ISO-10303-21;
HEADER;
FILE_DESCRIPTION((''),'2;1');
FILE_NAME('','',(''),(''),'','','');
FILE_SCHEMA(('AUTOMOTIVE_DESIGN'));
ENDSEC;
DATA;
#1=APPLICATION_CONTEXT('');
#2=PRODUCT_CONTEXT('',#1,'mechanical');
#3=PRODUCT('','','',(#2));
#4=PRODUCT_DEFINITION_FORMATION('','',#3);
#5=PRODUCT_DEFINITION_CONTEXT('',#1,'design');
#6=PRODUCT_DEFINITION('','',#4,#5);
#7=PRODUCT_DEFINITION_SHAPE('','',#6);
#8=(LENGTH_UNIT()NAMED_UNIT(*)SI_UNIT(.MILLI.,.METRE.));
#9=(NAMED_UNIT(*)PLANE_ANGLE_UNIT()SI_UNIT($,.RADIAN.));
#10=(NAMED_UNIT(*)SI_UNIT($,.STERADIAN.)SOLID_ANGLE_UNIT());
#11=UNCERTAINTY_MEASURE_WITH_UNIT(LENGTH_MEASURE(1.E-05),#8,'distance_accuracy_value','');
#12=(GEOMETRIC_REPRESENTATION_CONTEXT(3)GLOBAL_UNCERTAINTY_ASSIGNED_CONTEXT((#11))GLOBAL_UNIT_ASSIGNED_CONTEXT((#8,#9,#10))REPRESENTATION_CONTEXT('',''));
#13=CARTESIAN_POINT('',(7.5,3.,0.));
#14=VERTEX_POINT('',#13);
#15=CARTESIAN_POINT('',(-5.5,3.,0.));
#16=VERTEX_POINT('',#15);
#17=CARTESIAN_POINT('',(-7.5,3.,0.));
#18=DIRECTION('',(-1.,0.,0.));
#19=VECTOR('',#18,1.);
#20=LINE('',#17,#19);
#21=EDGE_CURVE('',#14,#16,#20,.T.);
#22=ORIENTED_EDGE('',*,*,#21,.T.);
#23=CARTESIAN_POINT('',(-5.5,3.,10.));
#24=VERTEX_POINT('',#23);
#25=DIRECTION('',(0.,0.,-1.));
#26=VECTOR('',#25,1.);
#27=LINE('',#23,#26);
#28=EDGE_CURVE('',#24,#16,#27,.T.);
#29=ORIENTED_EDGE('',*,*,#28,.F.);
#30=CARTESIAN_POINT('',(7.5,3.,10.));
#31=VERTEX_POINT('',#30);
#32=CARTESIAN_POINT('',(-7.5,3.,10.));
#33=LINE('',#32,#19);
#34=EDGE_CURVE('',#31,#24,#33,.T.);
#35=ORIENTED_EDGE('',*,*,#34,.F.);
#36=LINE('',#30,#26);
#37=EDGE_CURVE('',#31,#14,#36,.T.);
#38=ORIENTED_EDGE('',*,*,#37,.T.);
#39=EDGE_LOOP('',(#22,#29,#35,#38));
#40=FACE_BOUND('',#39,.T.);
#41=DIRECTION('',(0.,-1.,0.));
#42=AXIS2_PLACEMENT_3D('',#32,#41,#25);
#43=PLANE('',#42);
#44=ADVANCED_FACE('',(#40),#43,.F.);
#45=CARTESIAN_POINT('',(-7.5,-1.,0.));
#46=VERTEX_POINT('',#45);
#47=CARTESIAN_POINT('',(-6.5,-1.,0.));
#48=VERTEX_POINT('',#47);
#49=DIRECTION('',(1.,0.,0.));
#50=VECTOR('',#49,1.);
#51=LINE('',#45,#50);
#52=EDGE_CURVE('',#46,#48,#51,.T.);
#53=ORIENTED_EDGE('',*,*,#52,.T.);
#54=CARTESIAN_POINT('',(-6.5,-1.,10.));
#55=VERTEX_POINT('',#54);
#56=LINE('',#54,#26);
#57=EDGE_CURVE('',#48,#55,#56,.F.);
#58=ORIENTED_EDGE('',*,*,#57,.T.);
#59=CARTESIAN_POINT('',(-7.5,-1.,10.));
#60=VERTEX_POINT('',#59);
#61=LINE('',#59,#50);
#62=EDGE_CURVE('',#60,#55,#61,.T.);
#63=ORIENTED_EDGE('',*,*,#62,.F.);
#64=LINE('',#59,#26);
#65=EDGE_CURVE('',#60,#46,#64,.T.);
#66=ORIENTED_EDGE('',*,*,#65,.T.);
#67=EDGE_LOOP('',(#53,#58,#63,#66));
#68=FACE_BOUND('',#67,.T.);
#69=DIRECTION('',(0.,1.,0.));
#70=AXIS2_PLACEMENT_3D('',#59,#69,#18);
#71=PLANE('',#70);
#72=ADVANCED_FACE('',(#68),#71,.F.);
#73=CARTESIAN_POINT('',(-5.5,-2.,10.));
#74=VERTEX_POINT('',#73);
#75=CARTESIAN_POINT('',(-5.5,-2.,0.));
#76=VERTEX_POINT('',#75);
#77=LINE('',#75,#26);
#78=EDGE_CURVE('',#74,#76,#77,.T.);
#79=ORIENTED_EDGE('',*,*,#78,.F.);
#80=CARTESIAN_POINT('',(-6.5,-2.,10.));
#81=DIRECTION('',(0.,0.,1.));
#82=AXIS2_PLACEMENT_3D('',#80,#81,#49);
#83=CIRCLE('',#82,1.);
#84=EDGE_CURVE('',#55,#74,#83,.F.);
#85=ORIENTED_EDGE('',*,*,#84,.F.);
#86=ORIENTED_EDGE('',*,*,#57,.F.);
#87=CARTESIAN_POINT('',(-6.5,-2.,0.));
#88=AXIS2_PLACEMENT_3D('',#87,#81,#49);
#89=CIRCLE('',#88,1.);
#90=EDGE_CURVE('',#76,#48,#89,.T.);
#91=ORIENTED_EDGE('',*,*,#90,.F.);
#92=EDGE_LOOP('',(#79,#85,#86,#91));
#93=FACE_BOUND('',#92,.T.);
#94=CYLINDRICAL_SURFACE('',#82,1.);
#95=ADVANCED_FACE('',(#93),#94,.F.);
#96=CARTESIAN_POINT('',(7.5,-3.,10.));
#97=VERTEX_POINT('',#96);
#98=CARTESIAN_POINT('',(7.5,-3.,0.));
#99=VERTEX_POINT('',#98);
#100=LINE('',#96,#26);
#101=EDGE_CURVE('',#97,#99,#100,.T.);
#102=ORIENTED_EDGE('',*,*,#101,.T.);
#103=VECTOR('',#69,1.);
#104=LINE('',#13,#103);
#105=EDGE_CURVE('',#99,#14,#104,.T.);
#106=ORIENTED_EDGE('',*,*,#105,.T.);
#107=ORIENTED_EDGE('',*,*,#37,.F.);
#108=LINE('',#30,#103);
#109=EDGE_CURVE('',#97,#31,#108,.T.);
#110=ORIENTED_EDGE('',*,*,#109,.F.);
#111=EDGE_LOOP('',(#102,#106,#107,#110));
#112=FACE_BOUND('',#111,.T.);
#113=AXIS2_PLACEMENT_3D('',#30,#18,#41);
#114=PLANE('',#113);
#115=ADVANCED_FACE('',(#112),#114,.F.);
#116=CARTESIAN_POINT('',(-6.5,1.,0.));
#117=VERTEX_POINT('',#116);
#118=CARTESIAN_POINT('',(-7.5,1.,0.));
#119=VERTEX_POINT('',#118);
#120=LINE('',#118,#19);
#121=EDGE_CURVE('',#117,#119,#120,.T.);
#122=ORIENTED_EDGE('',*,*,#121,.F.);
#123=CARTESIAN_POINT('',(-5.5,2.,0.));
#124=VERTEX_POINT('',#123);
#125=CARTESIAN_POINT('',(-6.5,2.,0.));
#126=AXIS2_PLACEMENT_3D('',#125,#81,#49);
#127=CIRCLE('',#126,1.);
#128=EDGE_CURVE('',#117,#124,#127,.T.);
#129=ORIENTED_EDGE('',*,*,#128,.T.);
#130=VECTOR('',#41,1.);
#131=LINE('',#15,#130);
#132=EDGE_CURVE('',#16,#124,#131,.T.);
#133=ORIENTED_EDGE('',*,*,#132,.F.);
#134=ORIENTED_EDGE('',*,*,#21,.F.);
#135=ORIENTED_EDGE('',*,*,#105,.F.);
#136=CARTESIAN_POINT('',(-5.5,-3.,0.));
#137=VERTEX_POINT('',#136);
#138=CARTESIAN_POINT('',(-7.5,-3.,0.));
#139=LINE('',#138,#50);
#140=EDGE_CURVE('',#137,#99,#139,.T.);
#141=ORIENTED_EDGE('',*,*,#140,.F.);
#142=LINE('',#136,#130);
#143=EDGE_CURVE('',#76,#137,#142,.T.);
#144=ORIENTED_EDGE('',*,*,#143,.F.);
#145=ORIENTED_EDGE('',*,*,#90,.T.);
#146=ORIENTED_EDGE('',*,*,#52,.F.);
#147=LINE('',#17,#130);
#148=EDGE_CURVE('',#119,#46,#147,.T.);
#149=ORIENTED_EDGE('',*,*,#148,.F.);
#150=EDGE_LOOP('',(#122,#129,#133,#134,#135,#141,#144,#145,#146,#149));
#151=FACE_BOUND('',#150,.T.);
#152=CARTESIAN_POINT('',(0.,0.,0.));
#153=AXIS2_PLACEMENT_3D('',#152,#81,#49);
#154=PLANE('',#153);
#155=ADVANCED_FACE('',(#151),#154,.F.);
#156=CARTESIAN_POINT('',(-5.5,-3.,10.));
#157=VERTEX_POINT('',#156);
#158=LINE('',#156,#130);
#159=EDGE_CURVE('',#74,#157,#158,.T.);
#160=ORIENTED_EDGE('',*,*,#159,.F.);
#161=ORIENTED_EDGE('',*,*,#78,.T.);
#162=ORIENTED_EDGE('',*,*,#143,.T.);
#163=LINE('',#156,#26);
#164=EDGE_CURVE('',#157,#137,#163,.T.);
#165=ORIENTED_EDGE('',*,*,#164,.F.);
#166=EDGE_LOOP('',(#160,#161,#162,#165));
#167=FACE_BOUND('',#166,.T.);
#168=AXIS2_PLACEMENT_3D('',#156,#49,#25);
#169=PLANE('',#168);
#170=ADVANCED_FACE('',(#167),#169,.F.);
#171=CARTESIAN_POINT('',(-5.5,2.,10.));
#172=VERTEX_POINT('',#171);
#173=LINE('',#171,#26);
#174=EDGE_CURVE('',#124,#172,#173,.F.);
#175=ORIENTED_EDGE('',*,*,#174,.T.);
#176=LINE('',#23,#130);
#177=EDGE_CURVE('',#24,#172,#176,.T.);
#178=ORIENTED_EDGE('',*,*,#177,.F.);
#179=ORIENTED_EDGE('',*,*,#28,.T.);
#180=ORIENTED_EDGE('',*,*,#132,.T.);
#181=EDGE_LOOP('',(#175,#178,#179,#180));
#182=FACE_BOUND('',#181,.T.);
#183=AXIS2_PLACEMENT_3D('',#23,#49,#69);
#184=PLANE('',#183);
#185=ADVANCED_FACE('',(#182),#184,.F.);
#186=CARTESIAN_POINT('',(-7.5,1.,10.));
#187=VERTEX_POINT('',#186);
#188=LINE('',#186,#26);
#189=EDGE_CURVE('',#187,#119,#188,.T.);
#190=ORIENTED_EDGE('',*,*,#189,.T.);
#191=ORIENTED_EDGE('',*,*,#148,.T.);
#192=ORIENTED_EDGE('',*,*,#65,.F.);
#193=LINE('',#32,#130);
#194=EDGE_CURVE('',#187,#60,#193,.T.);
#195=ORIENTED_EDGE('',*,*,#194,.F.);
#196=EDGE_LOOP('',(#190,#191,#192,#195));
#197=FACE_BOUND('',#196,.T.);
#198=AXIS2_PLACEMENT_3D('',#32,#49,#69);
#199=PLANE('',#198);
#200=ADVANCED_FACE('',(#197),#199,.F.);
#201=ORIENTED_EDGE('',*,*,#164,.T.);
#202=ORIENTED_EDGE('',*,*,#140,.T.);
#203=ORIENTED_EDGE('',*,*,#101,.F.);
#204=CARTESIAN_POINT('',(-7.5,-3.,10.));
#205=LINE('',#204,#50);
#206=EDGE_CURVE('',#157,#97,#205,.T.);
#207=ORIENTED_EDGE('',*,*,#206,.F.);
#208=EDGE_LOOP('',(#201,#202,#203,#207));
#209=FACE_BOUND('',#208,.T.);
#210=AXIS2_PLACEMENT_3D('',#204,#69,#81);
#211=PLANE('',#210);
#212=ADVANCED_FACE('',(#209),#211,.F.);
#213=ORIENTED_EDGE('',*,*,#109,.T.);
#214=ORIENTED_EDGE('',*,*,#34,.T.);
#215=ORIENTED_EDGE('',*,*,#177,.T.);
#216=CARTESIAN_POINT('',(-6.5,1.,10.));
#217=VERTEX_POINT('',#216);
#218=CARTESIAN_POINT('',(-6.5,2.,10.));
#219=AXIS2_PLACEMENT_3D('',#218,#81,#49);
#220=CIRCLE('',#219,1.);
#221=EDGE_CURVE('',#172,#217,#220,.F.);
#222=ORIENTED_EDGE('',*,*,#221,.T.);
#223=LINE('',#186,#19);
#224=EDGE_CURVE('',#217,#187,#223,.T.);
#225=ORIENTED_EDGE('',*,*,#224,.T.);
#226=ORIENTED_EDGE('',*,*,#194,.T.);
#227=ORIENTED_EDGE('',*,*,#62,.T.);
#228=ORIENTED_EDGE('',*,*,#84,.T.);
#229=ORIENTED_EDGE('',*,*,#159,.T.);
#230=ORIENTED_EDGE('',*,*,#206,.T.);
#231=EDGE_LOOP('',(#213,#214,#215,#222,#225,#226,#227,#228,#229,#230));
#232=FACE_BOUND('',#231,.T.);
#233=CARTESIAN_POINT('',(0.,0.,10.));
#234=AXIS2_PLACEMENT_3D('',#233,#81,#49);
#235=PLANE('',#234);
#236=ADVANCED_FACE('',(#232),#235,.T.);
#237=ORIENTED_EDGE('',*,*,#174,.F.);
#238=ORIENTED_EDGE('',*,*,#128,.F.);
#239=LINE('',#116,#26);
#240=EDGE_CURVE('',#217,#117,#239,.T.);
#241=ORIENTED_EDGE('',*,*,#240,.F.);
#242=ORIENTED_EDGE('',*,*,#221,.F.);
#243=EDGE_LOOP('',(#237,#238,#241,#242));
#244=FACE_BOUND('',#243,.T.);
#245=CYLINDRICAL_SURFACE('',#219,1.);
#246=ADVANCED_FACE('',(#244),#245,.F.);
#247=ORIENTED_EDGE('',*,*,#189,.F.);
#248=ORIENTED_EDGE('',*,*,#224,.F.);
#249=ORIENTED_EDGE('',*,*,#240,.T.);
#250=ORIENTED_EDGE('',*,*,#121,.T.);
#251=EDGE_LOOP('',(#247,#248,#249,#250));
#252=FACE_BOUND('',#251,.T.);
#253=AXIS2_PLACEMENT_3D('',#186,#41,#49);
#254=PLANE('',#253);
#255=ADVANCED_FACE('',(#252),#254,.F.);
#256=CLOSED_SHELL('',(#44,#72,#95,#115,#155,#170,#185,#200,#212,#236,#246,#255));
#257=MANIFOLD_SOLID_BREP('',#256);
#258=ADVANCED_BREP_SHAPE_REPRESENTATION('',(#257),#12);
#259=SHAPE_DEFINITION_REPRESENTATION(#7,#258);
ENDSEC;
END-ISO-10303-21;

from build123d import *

# Parameters (mm, degrees)
ESQUISSE1_W             = 15
ESQUISSE1_H             = 6
BOSS_EXTRU_1_DEPTH      = 10
ESQUISSE2_W             = 2
ESQUISSE2_H             = 2
ENL_V_MAT_EXTRU_1_DEPTH = 13.854960132
CONG_1_R                = 1


with BuildPart() as part:
    # Esquisse1 → Boss.-Extru.1 (new body)
    with BuildSketch(Plane.XY):
        Rectangle(ESQUISSE1_W, ESQUISSE1_H)
    extrude(amount=BOSS_EXTRU_1_DEPTH)

    # Esquisse2 → Enlèv. mat.-Extru.1 (cut, through all)
    with BuildSketch(Plane(origin=(0, 0, 0), x_dir=(-1, 0, 0), z_dir=(0, 0, -1))):
        with Locations((6.5, 2)):
            Rectangle(ESQUISSE2_W, ESQUISSE2_H)
        with Locations((6.5, -2)):
            Rectangle(ESQUISSE2_W, ESQUISSE2_H)
    extrude(amount=-ENL_V_MAT_EXTRU_1_DEPTH, mode=Mode.SUBTRACT)

    # Congé1
    cong_1_edges = [part.edges().sort_by_distance(p)[0] for p in [
        (-5.5, 1, 5),
        (-5.5, -1, 5),
    ]]
    fillet(cong_1_edges, radius=CONG_1_R)


solid = part.part
